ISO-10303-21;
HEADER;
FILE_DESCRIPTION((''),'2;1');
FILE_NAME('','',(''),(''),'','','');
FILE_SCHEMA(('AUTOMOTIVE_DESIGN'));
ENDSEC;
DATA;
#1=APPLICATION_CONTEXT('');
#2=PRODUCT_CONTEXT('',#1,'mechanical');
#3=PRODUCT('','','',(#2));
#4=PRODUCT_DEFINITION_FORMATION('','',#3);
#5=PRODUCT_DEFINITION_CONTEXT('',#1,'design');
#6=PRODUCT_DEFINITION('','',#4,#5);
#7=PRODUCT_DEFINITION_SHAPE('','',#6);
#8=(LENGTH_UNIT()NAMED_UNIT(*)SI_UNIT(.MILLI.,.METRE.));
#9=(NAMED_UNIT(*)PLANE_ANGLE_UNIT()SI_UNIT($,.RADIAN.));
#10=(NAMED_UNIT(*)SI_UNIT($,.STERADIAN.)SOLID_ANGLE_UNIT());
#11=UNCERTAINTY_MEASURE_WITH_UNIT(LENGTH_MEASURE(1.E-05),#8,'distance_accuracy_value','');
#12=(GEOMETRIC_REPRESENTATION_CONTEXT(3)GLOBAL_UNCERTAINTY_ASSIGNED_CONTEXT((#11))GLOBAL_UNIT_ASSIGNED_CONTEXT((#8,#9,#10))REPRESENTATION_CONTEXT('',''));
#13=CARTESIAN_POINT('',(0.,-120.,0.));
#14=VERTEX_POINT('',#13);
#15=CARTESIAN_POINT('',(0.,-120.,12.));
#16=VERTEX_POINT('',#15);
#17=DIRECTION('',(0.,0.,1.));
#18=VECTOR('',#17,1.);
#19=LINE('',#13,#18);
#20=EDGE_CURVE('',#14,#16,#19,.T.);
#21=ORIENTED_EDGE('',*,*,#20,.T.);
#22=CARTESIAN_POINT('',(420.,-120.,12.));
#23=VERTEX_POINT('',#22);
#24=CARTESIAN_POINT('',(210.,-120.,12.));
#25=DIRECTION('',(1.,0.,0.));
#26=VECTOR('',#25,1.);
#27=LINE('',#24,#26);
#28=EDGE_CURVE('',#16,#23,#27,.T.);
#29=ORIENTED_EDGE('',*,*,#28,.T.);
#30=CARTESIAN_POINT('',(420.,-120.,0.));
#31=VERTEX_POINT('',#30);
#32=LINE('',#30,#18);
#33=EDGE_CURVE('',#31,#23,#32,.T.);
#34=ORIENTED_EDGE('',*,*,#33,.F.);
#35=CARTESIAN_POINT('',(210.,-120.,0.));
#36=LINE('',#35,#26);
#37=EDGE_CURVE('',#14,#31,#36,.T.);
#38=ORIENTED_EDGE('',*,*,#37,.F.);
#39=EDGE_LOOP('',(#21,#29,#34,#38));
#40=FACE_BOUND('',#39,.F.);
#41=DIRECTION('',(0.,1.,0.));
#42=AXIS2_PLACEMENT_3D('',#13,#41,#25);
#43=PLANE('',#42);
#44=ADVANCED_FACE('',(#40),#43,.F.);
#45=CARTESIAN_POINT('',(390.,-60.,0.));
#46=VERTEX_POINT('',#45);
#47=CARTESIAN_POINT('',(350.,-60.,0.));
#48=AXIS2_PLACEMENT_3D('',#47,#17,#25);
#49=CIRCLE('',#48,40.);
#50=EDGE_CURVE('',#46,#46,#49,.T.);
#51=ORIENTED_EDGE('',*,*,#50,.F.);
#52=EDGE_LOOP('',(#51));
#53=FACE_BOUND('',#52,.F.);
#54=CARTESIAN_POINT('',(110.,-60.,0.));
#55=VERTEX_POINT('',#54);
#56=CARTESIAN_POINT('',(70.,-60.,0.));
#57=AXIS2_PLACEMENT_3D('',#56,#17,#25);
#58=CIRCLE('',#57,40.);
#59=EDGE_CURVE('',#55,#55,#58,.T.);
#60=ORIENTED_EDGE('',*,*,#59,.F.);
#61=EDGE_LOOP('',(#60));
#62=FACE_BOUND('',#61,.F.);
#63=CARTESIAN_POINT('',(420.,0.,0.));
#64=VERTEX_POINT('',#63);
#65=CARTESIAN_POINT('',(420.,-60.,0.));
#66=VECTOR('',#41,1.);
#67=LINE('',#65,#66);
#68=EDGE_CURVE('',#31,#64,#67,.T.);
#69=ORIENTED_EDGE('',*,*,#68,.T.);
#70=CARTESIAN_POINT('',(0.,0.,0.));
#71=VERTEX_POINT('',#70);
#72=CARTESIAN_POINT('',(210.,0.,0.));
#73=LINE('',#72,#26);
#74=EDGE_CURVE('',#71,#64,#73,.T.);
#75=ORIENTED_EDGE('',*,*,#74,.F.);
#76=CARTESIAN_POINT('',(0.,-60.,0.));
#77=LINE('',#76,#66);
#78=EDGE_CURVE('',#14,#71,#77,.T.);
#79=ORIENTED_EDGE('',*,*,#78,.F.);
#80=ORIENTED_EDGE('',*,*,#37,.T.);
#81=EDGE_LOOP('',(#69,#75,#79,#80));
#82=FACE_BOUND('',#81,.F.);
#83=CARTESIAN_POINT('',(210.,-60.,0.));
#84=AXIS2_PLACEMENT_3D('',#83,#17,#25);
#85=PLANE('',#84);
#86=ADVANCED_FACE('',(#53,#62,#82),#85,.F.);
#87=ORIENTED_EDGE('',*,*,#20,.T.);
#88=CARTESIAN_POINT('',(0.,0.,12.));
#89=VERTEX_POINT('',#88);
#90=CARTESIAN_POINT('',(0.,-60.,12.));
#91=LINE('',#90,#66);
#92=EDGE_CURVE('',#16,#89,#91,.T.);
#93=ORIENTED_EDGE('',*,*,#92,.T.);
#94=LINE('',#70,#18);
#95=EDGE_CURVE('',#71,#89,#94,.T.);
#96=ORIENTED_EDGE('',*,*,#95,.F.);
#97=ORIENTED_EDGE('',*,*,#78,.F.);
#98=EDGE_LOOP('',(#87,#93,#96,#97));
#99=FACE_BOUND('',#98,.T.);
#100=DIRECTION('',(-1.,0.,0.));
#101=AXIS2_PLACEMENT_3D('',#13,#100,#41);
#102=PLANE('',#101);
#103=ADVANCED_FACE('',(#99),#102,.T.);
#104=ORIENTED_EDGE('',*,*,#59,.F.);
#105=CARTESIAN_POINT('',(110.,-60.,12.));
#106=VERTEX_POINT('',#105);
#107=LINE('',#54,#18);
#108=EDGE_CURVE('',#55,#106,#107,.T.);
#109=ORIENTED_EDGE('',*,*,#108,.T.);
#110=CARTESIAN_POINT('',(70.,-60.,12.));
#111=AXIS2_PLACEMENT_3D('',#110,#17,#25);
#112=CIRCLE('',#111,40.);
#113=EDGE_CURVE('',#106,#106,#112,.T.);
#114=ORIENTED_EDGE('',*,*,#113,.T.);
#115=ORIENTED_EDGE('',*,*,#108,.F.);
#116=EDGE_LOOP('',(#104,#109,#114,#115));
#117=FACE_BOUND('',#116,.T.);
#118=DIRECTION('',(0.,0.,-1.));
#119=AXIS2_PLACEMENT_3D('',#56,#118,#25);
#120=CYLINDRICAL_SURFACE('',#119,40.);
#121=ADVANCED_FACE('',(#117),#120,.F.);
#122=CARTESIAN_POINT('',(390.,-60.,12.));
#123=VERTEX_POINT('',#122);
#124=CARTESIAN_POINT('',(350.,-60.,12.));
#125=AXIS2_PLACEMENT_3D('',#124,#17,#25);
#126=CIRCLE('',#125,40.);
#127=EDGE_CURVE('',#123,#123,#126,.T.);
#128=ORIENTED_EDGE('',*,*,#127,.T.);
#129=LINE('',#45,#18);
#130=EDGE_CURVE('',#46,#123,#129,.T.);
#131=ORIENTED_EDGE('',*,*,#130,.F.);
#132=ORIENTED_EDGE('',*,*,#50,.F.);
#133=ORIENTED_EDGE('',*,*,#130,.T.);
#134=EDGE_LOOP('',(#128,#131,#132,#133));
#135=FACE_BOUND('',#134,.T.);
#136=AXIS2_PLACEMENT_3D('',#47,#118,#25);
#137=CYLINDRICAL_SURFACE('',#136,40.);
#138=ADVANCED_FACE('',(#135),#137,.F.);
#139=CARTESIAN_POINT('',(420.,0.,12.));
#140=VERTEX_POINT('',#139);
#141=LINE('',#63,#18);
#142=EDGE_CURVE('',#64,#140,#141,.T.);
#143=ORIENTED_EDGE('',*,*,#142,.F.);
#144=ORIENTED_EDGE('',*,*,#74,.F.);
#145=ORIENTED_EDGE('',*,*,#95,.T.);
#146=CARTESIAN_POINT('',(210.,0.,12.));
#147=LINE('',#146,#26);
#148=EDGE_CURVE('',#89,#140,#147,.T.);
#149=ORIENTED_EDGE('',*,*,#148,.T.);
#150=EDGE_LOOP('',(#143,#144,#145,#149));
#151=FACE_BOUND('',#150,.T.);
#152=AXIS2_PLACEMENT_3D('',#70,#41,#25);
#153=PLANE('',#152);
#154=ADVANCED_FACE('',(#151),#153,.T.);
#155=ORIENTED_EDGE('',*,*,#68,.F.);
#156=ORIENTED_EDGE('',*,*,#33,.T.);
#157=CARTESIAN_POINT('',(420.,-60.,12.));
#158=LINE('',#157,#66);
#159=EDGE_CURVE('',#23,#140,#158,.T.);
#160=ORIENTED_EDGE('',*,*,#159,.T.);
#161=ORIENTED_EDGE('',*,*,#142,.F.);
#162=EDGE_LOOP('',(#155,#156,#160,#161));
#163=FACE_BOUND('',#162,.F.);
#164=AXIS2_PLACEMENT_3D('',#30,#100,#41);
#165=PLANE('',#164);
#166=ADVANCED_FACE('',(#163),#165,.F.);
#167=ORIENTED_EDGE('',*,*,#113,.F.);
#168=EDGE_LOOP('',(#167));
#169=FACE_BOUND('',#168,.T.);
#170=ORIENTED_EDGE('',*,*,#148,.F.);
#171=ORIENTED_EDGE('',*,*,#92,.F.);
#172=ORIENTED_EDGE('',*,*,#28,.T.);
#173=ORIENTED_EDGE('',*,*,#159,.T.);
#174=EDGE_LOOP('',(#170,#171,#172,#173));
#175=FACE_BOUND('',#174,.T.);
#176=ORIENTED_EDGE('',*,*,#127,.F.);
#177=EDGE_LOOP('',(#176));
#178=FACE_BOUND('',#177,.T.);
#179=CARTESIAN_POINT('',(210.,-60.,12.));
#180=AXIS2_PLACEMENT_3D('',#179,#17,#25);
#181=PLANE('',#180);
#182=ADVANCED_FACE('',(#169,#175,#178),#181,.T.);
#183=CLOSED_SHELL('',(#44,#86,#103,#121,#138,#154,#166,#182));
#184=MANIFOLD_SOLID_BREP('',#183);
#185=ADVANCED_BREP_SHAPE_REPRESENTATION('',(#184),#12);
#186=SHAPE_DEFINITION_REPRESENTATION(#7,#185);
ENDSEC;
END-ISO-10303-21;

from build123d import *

# Parameters (mm, degrees)
SKETCH_W  = 420
SKETCH_H  = 120
SKETCH_R  = 40
PAD_DEPTH = 12


with BuildPart() as part:
    # Sketch → Pad (new body)
    with BuildSketch(Plane.XY):
        with Locations((210, -60)):
            Rectangle(SKETCH_W, SKETCH_H)
        with Locations((70, -60)):
            Circle(SKETCH_R, mode=Mode.SUBTRACT)
        with Locations((350, -60)):
            Circle(SKETCH_R, mode=Mode.SUBTRACT)
    extrude(amount=PAD_DEPTH)


solid = part.part
